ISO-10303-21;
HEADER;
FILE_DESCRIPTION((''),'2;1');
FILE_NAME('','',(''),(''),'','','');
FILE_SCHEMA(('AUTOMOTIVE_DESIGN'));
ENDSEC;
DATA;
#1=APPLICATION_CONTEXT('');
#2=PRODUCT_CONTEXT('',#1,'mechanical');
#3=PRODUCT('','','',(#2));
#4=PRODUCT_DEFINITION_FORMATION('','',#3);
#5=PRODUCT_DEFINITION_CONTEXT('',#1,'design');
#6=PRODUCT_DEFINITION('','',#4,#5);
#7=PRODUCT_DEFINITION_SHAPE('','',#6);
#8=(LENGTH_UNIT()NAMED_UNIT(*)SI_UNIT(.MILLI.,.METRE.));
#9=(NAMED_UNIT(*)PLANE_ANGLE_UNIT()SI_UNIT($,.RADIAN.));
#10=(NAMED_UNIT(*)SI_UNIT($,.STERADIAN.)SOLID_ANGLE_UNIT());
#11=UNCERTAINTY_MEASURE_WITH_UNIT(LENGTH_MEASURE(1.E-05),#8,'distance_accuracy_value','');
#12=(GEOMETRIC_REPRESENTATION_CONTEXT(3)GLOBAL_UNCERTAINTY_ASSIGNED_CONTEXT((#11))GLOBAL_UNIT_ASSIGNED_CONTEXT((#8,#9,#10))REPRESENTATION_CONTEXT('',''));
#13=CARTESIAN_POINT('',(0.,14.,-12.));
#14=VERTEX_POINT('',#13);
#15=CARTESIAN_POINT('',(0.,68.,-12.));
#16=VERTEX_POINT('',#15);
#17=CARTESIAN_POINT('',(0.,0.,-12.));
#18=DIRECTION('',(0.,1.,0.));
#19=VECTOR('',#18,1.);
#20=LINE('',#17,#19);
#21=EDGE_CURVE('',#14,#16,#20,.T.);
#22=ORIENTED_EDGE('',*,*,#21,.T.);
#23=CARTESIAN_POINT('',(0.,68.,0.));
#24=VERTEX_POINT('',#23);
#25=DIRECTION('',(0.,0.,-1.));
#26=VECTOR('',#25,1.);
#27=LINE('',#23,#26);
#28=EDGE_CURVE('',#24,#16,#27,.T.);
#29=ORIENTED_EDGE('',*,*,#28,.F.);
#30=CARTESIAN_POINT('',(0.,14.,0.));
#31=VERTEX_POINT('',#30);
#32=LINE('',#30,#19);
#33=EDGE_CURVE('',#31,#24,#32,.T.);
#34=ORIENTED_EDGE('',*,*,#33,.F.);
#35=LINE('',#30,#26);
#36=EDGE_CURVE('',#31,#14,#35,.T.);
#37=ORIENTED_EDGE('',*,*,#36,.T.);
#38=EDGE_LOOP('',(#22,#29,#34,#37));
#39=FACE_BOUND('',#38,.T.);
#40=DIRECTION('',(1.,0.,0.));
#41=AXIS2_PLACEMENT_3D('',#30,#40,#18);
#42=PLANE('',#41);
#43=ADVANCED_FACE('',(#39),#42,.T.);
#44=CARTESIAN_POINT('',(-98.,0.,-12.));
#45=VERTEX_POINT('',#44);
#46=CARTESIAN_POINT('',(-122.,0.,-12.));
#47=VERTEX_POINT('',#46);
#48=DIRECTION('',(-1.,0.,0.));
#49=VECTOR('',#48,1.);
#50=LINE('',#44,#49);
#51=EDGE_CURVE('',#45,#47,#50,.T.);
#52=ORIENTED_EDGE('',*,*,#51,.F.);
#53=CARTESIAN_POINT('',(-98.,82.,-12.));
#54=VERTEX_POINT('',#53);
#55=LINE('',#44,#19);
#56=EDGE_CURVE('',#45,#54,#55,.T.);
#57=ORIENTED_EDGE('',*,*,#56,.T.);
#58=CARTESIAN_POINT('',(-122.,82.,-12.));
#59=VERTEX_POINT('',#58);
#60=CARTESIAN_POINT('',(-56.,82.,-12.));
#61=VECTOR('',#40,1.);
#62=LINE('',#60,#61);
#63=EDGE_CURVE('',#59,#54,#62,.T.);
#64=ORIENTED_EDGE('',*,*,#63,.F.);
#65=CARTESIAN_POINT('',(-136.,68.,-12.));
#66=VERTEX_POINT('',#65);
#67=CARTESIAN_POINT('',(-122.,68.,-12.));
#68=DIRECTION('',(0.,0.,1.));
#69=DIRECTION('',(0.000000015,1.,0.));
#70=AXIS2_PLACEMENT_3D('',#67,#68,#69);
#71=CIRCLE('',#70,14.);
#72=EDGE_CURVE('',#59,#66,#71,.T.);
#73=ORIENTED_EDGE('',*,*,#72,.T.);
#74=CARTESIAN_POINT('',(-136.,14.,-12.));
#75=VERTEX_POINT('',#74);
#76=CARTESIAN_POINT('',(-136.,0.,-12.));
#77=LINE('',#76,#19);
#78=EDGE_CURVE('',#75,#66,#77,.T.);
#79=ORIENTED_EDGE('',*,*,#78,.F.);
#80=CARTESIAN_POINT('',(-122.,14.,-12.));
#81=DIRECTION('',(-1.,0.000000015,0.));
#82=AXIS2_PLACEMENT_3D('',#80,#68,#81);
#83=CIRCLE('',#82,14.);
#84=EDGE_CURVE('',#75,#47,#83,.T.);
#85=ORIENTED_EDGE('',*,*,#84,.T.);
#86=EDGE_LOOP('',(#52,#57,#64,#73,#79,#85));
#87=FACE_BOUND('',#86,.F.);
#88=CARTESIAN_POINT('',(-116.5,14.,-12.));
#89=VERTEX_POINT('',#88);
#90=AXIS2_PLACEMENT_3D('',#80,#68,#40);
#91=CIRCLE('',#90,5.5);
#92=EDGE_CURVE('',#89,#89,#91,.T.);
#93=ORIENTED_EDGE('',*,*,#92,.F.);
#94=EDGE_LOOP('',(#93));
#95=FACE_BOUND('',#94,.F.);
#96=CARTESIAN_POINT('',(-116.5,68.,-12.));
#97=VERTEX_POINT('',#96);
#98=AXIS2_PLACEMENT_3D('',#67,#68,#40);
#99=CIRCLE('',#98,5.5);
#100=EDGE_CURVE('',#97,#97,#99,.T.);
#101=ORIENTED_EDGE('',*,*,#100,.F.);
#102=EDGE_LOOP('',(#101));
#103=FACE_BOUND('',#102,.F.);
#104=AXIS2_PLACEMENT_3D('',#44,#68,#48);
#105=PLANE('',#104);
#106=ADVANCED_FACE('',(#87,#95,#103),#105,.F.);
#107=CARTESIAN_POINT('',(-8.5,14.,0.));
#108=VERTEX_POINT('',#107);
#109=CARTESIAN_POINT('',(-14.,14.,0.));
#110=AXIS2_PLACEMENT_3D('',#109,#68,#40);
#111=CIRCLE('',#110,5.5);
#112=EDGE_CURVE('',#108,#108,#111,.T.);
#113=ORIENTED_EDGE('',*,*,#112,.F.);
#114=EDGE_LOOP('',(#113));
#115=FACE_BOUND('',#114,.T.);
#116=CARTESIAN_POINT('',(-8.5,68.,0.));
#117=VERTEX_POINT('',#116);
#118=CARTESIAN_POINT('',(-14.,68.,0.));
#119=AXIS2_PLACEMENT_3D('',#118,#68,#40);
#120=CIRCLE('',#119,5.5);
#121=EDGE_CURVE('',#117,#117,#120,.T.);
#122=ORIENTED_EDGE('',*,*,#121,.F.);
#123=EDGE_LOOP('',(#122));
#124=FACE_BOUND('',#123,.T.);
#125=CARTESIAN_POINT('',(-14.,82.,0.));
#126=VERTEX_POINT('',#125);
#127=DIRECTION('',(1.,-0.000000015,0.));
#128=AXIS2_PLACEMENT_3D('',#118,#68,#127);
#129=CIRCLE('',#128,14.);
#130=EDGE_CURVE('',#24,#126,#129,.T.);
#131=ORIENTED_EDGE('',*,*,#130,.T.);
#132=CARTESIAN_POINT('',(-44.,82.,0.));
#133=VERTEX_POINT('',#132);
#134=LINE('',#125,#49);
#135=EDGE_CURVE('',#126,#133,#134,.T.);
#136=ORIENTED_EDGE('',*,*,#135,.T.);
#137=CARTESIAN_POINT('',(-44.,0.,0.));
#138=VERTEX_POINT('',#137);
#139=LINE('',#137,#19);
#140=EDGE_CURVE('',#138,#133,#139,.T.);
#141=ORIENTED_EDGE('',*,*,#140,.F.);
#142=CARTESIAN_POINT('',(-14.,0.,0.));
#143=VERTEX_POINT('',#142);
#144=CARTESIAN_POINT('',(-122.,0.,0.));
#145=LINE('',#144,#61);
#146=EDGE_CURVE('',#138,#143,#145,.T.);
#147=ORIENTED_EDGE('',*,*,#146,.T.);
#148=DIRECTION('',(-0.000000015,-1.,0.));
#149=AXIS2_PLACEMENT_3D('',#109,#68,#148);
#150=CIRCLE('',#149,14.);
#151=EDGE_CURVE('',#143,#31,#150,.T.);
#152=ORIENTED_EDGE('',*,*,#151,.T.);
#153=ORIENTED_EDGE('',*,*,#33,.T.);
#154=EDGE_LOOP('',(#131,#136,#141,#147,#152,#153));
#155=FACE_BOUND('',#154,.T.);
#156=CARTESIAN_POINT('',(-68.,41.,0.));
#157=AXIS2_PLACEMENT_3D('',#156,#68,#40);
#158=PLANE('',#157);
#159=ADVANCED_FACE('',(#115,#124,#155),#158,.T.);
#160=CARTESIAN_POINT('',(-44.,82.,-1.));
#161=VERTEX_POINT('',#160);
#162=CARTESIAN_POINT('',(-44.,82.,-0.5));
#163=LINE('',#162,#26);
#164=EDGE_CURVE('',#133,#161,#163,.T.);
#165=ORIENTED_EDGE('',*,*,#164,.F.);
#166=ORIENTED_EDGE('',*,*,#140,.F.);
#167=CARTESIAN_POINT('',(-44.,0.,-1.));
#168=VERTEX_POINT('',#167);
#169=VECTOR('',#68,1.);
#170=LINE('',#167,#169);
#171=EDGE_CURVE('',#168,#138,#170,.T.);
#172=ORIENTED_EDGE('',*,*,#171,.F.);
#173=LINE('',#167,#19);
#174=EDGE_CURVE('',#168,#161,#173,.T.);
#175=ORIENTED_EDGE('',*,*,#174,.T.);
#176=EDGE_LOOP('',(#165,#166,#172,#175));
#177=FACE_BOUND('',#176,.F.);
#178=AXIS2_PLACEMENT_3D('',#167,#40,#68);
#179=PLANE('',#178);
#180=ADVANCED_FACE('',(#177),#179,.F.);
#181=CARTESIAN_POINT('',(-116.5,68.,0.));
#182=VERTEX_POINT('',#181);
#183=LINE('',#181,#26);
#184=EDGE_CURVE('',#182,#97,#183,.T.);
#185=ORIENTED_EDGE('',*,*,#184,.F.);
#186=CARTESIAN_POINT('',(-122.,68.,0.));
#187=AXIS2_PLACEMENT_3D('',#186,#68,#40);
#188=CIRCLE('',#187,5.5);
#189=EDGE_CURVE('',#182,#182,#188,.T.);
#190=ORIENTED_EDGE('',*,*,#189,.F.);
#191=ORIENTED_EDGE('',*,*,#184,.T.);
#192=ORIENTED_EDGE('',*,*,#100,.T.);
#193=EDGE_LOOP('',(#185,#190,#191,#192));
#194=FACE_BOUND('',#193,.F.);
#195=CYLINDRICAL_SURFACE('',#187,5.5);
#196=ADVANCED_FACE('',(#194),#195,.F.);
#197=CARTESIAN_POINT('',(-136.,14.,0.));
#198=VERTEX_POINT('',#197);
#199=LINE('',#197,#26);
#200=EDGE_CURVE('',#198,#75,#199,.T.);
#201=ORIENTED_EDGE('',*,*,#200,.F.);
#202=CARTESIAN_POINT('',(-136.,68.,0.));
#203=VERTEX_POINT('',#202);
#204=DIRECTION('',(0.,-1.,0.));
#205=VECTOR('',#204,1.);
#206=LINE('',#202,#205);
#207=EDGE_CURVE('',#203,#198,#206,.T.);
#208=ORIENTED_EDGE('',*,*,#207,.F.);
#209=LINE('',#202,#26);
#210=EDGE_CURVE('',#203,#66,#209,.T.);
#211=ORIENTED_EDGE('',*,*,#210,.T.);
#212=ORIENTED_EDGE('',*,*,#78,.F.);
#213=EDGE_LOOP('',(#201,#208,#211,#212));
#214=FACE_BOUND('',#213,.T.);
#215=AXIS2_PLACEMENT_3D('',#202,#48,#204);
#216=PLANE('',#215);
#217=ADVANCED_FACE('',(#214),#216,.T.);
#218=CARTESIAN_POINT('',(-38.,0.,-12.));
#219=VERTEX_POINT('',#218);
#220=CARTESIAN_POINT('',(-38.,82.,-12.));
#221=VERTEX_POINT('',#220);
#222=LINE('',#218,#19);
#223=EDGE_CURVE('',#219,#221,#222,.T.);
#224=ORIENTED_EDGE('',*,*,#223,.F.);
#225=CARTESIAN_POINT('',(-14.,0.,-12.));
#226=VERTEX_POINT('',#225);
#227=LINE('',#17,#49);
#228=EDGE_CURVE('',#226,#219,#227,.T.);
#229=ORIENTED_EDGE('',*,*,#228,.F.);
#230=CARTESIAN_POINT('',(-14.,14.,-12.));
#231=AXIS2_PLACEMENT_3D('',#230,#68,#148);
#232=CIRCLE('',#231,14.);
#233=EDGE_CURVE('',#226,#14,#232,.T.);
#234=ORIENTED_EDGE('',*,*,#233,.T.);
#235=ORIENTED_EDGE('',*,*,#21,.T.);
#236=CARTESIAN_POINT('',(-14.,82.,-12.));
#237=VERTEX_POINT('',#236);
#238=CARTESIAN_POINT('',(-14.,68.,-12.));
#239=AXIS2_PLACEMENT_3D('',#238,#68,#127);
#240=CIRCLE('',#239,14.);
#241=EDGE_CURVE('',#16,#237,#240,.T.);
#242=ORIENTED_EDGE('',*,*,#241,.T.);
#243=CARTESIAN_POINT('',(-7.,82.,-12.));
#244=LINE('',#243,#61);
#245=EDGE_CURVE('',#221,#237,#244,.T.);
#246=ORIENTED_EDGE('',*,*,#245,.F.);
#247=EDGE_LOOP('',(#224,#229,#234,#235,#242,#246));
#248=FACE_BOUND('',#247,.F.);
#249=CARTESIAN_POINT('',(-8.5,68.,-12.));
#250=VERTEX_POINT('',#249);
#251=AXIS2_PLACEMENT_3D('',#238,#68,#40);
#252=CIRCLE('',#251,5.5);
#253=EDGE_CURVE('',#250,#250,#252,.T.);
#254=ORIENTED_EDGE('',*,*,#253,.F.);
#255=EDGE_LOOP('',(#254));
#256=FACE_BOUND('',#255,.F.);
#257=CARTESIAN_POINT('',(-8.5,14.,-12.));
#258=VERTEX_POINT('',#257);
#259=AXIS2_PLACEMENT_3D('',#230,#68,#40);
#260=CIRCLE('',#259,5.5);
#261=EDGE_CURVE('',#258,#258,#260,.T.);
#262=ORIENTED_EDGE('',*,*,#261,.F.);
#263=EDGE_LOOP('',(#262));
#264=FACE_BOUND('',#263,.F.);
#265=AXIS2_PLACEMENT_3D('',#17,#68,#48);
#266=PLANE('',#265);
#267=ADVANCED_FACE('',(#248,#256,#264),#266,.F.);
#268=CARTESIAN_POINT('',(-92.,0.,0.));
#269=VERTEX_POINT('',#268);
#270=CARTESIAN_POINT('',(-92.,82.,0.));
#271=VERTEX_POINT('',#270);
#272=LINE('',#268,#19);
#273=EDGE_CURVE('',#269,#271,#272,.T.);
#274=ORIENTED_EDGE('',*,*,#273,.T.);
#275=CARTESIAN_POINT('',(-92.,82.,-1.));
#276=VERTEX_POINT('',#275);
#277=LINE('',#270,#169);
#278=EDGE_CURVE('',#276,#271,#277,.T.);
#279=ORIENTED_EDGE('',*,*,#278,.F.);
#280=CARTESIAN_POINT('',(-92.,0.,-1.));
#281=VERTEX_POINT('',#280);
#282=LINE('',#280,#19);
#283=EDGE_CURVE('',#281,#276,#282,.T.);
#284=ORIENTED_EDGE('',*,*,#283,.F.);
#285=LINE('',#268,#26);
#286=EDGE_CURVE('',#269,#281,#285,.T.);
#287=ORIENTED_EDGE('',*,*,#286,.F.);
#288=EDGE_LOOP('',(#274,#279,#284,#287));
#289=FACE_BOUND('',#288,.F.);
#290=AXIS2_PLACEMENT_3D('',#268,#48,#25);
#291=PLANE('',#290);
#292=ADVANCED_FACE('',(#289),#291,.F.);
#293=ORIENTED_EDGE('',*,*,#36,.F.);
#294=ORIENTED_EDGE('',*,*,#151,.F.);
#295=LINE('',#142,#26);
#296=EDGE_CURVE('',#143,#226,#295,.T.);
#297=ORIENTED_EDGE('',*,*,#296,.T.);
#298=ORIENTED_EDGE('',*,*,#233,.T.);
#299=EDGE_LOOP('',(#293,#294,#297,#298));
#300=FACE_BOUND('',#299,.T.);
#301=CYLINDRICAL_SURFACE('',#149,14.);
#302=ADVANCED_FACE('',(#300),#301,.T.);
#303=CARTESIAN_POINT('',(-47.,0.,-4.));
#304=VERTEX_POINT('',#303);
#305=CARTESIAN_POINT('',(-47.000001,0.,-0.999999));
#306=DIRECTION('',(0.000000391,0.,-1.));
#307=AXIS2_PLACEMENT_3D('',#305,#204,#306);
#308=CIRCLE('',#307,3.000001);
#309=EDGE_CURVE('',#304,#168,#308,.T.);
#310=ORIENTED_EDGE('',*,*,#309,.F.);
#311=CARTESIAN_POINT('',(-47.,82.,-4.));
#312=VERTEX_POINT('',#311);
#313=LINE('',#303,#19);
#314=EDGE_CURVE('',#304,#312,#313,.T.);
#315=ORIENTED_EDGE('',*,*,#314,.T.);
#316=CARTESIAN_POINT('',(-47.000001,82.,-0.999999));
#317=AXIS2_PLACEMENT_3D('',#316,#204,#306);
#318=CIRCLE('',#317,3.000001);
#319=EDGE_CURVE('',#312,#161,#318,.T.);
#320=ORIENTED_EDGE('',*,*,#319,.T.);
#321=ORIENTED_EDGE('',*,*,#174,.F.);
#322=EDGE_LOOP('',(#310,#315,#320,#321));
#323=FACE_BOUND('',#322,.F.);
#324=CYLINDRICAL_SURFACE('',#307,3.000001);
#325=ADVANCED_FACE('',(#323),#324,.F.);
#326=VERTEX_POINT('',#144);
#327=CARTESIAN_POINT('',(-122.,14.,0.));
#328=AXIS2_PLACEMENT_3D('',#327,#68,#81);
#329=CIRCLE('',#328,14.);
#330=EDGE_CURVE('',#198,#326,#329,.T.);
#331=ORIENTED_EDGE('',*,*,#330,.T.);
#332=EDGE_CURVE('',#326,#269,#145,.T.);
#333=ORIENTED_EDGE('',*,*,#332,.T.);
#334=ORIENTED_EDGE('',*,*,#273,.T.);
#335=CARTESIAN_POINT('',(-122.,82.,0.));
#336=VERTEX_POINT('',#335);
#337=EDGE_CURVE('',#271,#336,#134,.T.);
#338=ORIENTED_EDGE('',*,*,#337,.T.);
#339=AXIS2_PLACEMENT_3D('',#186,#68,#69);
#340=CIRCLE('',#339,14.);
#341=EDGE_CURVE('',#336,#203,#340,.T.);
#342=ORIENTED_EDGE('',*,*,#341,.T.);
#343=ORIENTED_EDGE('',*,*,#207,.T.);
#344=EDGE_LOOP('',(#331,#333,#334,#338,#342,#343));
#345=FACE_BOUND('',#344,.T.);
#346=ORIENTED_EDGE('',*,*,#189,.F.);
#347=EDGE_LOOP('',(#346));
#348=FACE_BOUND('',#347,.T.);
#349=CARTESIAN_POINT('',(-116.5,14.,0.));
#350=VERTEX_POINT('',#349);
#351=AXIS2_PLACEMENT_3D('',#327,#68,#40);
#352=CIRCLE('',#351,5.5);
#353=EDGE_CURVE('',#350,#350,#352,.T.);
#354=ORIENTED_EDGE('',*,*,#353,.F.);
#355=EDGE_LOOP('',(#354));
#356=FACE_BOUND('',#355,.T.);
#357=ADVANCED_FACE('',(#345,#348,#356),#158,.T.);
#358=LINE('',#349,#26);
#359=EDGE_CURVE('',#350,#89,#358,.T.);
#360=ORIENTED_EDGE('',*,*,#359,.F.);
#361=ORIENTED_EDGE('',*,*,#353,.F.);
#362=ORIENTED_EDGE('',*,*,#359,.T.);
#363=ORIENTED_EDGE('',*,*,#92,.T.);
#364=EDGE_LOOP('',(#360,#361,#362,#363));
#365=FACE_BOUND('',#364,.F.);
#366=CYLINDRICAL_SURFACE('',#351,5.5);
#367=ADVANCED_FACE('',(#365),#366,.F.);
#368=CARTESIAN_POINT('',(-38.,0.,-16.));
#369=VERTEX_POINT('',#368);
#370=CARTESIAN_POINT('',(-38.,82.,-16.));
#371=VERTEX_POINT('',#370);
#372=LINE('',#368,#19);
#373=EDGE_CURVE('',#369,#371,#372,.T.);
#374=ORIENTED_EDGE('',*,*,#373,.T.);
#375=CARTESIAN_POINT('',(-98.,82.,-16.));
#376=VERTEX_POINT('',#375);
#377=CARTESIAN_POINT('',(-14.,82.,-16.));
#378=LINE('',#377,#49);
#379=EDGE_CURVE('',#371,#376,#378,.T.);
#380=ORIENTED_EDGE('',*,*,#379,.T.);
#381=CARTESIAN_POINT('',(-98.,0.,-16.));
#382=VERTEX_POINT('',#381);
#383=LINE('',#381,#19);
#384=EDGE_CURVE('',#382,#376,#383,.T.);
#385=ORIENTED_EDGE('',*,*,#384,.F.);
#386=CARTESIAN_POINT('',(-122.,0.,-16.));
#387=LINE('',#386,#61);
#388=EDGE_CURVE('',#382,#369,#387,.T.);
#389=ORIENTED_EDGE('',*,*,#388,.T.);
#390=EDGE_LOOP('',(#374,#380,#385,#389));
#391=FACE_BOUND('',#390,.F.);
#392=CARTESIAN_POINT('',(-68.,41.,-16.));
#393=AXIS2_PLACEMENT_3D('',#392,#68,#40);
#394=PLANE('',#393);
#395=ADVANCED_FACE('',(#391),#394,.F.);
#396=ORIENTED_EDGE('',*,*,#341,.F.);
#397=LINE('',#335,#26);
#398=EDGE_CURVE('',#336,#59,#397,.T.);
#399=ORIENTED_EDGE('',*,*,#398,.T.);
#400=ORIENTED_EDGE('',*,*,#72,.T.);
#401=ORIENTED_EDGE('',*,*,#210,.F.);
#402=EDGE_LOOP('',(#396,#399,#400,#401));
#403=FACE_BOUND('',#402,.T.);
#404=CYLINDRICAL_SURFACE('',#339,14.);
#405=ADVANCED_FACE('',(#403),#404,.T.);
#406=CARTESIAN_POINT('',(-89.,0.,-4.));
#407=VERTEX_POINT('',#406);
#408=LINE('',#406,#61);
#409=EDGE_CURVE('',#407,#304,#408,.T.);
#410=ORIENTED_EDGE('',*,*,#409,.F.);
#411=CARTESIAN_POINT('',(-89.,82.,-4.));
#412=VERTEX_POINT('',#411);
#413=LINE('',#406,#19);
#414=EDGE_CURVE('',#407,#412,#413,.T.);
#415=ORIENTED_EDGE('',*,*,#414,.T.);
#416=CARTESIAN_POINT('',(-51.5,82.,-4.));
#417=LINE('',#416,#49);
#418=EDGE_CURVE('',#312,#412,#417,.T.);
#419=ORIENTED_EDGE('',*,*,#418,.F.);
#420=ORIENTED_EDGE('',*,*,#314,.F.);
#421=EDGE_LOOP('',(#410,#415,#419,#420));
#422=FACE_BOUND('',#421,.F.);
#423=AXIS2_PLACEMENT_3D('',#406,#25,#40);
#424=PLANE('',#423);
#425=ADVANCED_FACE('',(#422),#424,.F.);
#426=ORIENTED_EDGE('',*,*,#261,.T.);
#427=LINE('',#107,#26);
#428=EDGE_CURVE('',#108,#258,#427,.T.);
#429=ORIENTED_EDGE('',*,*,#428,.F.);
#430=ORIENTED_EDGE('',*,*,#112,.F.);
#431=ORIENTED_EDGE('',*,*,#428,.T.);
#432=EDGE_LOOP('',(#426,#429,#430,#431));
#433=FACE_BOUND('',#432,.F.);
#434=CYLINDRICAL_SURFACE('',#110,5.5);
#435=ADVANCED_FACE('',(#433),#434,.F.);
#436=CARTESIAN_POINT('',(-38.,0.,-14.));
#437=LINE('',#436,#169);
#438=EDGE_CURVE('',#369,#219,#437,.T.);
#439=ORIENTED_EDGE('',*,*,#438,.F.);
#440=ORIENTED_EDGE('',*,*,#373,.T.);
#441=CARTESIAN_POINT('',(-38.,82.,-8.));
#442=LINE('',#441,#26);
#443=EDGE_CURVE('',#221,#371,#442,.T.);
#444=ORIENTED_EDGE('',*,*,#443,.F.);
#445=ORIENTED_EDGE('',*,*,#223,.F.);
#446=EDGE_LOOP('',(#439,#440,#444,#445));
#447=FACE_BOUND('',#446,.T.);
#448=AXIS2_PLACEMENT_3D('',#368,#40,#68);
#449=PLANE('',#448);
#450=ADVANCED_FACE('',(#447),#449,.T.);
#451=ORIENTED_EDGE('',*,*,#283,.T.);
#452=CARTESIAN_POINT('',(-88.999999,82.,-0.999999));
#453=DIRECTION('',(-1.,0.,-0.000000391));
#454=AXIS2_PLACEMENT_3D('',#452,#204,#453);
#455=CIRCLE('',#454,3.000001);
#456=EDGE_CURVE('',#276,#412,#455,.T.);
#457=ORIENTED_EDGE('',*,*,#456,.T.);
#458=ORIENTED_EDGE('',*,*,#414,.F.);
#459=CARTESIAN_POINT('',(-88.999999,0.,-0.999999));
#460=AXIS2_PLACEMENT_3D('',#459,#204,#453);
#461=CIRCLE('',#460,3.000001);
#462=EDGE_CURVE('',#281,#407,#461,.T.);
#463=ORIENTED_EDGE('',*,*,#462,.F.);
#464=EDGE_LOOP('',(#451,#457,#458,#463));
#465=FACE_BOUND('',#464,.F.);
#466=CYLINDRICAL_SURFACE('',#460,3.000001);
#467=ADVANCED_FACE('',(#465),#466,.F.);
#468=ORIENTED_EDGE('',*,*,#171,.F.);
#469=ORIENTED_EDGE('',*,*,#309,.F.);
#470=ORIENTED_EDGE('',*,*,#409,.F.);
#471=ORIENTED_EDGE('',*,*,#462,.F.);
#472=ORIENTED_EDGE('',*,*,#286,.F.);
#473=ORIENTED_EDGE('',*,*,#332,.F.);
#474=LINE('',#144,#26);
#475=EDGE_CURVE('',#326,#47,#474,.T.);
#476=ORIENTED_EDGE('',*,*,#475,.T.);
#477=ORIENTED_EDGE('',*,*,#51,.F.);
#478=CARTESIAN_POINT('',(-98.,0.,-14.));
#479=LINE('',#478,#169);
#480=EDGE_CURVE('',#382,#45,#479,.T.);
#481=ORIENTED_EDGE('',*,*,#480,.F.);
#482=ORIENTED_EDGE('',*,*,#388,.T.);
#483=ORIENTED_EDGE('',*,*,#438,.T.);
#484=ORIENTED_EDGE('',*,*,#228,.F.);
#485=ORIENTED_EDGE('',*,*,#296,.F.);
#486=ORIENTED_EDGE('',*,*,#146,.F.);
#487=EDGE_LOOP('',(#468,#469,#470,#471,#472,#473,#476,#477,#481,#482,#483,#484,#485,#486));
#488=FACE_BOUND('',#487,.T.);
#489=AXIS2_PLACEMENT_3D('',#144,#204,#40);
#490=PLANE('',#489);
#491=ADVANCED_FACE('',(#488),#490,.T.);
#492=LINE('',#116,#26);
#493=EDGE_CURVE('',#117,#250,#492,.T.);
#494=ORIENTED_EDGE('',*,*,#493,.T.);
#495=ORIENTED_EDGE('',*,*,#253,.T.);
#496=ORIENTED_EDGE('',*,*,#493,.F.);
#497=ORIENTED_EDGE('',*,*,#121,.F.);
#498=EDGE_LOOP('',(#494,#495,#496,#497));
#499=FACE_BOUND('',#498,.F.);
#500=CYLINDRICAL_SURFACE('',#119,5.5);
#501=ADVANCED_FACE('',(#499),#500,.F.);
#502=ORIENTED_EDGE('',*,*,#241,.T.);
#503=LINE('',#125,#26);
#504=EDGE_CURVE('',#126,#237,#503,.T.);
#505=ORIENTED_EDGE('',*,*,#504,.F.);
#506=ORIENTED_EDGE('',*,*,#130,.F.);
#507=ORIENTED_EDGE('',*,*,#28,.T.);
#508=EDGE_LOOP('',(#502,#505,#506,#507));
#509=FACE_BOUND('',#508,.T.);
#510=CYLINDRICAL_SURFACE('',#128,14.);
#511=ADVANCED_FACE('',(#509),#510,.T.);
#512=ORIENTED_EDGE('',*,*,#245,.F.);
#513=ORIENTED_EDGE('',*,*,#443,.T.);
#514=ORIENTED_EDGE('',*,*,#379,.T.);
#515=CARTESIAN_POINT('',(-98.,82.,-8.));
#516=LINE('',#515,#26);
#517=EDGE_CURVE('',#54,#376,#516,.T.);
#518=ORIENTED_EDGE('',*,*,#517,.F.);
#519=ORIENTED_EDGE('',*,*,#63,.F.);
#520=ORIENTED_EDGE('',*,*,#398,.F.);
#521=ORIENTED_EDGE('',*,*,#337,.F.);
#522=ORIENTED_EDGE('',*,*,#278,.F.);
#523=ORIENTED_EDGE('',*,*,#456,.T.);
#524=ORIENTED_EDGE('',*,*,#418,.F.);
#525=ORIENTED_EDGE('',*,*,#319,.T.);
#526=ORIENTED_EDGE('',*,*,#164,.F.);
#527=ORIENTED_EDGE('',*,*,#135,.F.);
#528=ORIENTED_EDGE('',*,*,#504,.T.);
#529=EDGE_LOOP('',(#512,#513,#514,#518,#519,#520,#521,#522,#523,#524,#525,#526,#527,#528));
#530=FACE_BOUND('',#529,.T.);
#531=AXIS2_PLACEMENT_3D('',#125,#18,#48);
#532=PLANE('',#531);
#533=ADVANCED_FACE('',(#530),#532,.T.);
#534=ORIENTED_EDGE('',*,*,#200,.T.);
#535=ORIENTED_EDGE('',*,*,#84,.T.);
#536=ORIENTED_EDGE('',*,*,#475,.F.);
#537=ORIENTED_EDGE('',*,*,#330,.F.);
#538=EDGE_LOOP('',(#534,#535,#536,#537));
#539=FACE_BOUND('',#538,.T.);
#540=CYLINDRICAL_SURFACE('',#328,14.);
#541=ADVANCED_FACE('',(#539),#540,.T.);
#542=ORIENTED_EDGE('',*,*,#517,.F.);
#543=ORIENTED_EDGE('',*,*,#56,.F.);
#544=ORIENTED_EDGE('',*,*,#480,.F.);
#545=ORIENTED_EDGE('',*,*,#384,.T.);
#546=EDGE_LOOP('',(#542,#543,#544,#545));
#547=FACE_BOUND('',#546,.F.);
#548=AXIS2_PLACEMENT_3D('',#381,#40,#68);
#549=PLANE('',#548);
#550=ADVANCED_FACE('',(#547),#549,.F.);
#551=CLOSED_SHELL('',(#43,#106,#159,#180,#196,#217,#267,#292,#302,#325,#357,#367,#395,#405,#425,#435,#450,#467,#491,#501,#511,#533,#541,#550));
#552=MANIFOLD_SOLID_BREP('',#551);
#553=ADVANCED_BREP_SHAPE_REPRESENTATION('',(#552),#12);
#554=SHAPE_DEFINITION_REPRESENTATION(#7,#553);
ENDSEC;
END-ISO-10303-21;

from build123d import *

# Parameters (mm, degrees)
F0_R     = 5.5
F1_DEPTH = 16
F2_W     = 24
F2_H     = 4
F2_W_2   = 14
F3_DEPTH = 82.001


with BuildPart() as f1:
    # F0 (on Top) → F1 (new body)
    with BuildSketch(Plane.XY):
        with BuildLine():
            Line((-122, 0), (-14, 0))
            ThreePointArc((-14, 0), (-4.100505, 4.100505), (0, 14))
            Line((0, 14), (0, 68))
            ThreePointArc((0, 68), (-4.100505, 77.899495), (-14, 82))
            Line((-14, 82), (-122, 82))
            ThreePointArc((-122, 82), (-131.899495, 77.899495), (-136, 68))
            Line((-136, 68), (-136, 14))
            ThreePointArc((-136, 14), (-131.899495, 4.100505), (-122, 0))
        make_face()
        with Locations((-122, 14)):
            Circle(F0_R, mode=Mode.SUBTRACT)
        with Locations((-14, 14)):
            Circle(F0_R, mode=Mode.SUBTRACT)
        with Locations((-122, 68)):
            Circle(F0_R, mode=Mode.SUBTRACT)
        with Locations((-14, 68)):
            Circle(F0_R, mode=Mode.SUBTRACT)
    extrude(amount=-F1_DEPTH)

    # F2 (on face) → F3 (cut, through all)
    with BuildSketch(Plane.XZ):
        with Locations((-110, -14)):
            Rectangle(F2_W, F2_H)
        with Locations((-129, -14)):
            Rectangle(F2_W_2, F2_H)
        with Locations((-26, -14)):
            Rectangle(F2_W, F2_H)
        with Locations((-7, -14)):
            Rectangle(F2_W_2, F2_H)
        with BuildLine():
            Line((-44, -1), (-44, 0))
            Line((-44, 0), (-92, 0))
            Line((-92, 0), (-92, -1))
            ThreePointArc((-92, -1), (-91.12132, -3.12132), (-89, -4))
            Line((-89, -4), (-47, -4))
            ThreePointArc((-47, -4), (-44.87868, -3.12132), (-44, -1))
        make_face()
    extrude(amount=-F3_DEPTH, mode=Mode.SUBTRACT)


solid = f1.part
